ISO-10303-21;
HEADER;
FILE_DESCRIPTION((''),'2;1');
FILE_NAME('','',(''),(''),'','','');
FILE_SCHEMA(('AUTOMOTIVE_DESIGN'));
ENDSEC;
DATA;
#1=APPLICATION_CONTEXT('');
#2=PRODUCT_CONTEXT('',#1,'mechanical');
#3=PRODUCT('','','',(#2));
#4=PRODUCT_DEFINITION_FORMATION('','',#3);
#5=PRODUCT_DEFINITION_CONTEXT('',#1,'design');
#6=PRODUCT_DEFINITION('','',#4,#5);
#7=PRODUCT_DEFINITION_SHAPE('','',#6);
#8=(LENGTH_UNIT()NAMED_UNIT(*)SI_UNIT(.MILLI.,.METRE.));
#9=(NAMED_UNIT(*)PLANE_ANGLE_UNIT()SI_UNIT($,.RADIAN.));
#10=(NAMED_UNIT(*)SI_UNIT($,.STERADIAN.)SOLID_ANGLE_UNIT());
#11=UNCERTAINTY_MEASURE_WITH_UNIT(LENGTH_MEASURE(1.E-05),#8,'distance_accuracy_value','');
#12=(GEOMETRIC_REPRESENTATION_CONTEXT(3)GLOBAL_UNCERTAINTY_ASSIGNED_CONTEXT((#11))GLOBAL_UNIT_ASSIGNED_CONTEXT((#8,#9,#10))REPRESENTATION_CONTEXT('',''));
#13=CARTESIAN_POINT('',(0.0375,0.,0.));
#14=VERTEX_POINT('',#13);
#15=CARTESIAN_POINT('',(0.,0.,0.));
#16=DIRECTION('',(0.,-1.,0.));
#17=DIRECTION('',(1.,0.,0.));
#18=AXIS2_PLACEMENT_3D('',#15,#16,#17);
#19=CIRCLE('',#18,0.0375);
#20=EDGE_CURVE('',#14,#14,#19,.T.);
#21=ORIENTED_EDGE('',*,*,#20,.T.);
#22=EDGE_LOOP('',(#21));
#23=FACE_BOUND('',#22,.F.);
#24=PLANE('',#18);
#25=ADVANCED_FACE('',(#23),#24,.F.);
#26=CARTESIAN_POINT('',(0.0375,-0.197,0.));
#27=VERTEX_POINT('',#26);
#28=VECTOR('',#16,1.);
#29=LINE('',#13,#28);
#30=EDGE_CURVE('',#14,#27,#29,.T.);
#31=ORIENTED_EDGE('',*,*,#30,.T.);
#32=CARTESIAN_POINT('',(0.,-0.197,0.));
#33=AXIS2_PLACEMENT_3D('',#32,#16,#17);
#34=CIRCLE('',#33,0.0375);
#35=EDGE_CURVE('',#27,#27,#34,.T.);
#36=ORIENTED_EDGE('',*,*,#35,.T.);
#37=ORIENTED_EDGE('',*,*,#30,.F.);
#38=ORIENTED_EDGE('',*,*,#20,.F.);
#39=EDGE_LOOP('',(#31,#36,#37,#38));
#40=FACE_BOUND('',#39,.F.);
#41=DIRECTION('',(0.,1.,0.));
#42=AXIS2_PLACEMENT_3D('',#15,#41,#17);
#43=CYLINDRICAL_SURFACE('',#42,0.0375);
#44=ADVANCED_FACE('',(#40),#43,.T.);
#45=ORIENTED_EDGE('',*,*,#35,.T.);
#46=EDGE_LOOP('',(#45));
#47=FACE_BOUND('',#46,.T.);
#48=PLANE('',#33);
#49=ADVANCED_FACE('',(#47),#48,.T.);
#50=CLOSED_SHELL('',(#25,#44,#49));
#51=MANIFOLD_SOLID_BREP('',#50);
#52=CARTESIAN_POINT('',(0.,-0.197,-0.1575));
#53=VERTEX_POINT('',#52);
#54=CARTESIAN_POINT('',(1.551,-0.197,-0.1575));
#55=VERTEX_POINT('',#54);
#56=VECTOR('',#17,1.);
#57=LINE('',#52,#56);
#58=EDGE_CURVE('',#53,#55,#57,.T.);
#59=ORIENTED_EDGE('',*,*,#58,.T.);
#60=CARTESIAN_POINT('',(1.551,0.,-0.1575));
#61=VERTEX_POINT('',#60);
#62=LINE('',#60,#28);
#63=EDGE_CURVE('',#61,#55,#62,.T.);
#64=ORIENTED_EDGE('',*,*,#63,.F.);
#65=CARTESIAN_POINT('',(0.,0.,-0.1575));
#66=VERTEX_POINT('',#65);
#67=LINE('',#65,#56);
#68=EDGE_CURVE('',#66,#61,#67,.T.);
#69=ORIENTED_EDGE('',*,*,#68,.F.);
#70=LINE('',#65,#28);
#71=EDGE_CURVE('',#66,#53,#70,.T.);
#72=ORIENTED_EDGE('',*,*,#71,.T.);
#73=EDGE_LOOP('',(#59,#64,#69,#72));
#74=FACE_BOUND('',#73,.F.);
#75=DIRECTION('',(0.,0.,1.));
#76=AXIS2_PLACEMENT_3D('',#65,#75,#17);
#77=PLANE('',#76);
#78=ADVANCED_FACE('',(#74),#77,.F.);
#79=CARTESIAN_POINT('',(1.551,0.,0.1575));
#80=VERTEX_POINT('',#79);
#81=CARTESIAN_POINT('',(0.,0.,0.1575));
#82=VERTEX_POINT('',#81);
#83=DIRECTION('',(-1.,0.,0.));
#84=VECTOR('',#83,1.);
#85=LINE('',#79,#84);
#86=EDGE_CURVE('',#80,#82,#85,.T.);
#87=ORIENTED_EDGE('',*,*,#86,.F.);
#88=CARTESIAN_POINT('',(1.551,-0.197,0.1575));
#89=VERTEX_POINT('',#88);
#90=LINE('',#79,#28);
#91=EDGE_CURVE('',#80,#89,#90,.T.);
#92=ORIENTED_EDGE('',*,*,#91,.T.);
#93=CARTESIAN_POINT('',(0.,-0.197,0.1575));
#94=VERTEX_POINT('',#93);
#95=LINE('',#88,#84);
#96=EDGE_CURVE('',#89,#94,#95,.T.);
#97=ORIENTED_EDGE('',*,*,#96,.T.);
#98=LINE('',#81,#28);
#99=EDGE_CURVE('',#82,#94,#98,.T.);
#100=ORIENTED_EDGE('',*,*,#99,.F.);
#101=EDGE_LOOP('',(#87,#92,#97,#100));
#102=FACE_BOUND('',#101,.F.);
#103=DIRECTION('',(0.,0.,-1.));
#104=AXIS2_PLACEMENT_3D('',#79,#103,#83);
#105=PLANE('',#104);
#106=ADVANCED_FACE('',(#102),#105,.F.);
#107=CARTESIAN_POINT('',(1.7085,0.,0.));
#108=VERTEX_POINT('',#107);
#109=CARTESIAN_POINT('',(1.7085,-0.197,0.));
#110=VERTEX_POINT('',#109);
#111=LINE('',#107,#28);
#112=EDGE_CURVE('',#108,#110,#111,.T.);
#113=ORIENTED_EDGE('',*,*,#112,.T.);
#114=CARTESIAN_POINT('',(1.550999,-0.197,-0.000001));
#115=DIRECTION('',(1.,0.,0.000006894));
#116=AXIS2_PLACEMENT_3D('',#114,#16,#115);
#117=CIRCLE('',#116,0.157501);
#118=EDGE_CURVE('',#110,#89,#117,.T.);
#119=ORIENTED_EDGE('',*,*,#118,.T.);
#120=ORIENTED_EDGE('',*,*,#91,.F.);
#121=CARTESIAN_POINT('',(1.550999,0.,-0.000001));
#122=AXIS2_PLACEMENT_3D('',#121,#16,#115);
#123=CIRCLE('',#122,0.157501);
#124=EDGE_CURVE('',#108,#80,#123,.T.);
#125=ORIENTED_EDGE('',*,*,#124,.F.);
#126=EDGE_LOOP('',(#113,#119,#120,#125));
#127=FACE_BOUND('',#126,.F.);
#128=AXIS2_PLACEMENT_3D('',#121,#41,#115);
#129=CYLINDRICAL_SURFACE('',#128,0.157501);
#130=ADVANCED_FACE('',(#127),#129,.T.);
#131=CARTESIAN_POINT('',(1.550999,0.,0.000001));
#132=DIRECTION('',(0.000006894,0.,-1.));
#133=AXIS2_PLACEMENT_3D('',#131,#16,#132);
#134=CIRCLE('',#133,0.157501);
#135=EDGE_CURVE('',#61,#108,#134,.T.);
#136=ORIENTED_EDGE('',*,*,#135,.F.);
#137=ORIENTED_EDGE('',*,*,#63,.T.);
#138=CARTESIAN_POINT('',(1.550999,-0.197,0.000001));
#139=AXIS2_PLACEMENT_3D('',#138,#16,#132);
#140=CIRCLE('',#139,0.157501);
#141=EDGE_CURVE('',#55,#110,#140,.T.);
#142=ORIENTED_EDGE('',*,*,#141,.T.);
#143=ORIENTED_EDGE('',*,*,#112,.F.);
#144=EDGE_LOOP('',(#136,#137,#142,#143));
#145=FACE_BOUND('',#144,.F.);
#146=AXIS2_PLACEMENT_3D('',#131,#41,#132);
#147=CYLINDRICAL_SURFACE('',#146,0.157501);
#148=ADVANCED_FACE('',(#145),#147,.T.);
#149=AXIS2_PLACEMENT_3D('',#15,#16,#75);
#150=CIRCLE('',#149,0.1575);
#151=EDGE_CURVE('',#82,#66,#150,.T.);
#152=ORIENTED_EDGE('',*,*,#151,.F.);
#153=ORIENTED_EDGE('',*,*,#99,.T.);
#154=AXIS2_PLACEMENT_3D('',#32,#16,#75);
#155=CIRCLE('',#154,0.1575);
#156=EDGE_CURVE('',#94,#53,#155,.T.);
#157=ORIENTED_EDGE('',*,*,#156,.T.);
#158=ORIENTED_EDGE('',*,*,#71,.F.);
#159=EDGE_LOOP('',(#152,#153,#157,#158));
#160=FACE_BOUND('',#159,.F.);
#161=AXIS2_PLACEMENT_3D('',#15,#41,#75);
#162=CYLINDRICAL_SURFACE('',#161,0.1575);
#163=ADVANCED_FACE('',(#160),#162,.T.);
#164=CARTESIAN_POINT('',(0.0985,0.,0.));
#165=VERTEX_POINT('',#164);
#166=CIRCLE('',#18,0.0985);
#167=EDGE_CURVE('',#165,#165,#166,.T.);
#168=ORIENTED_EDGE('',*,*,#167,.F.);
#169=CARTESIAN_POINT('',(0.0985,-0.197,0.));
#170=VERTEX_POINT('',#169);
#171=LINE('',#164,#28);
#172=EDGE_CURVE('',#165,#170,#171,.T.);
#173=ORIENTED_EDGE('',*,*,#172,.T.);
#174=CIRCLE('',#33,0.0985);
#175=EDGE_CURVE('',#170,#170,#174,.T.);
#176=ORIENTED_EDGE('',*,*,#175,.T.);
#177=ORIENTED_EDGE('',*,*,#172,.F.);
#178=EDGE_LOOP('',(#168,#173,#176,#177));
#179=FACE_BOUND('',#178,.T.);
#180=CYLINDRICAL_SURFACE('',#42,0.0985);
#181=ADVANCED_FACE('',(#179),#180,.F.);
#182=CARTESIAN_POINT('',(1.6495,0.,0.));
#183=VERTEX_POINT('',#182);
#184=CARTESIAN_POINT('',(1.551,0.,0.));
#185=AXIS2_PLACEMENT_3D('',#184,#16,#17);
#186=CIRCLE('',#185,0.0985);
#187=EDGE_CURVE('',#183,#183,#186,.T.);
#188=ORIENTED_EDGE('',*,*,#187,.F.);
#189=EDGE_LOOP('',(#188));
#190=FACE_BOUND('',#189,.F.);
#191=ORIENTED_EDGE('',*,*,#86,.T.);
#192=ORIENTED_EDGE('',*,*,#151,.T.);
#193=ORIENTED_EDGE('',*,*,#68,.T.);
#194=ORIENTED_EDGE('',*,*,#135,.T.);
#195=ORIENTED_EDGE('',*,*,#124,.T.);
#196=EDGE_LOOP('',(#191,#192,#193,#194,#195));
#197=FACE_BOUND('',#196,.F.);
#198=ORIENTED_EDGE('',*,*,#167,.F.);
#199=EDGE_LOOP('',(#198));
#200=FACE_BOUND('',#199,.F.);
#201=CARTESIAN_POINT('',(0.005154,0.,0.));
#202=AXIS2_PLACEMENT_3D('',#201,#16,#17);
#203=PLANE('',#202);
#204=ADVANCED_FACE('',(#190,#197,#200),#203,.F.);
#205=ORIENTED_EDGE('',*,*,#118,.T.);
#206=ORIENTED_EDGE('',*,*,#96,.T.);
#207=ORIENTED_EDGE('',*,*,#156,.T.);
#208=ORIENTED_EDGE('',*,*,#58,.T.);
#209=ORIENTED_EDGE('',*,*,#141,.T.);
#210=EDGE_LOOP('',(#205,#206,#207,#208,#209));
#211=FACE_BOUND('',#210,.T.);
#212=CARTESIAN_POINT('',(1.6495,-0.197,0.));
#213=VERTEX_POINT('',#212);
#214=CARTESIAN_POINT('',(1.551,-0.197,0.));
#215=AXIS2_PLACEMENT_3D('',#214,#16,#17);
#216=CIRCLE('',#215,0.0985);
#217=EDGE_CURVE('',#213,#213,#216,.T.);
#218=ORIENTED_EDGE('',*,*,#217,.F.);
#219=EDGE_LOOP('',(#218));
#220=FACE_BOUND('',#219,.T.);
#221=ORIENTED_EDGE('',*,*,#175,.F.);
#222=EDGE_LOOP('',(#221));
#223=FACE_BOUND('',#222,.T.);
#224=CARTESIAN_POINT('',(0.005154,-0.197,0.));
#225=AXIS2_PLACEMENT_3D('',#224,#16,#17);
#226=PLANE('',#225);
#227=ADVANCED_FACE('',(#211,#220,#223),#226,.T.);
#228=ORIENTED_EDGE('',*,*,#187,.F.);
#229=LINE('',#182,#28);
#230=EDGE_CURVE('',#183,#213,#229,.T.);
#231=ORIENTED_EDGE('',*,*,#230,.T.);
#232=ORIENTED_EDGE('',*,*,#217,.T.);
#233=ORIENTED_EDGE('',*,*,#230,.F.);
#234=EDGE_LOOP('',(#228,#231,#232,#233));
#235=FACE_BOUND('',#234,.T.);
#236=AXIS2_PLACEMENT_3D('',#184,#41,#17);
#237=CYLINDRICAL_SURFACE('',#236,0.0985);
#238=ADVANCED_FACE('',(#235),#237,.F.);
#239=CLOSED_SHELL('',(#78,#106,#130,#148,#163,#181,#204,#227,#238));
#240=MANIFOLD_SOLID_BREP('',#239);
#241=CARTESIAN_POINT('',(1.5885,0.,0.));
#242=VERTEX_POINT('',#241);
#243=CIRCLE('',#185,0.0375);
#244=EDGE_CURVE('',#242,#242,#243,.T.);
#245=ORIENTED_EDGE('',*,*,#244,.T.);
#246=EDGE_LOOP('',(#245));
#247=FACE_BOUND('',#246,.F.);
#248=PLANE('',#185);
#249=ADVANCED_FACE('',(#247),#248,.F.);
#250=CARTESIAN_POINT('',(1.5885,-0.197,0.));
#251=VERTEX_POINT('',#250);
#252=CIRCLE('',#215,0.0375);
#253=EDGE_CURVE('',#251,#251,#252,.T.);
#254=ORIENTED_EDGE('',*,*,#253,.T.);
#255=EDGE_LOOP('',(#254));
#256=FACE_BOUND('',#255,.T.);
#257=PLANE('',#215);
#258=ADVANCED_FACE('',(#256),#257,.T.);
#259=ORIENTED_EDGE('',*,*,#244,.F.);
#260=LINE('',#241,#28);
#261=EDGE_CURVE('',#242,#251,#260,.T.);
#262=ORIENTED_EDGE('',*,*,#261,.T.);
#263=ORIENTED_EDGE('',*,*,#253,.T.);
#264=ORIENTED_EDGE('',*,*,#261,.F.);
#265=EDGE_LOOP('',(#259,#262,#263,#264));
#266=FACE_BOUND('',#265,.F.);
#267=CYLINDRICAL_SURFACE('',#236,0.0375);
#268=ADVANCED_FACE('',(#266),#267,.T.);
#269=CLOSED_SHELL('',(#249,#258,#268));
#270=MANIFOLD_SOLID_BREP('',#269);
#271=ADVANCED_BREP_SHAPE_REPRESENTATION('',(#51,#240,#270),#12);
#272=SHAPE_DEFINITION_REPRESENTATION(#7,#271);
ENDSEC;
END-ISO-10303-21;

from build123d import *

# Parameters (mm, degrees)
F0_R     = 0.0985
F0_R_2   = 0.0375
F1_DEPTH = 0.197


with BuildPart() as f1:
    # F0 (on Front) → F1 (new body)
    with BuildSketch(Plane.XZ):
        with BuildLine():
            ThreePointArc((0, -0.1575), (0.111369, -0.111369), (0.1575, 0))
            ThreePointArc((0.1575, 0), (0.111369, 0.111369), (0, 0.1575))
            ThreePointArc((0, 0.1575), (-0.1575, 0), (0, -0.1575))
        make_face()
        Circle(F0_R, mode=Mode.SUBTRACT)
        with BuildLine():
            ThreePointArc((0, 0.1575), (0.111369, 0.111369), (0.1575, 0))
            ThreePointArc((0.1575, 0), (0.111369, -0.111369), (0, -0.1575))
            Line((0, -0.1575), (1.551, -0.1575))
            ThreePointArc((1.551, -0.1575), (1.3935, 0), (1.551, 0.1575))
            Line((1.551, 0.1575), (0, 0.1575))
        make_face()
        with BuildLine():
            ThreePointArc((1.7085, 0), (1.662369, 0.111369), (1.551, 0.1575))
            ThreePointArc((1.551, 0.1575), (1.3935, 0), (1.551, -0.1575))
            ThreePointArc((1.551, -0.1575), (1.662369, -0.111369), (1.7085, 0))
        make_face()
        with Locations((1.551, 0)):
            Circle(F0_R, mode=Mode.SUBTRACT)
        Circle(F0_R_2)
        with Locations((1.551, 0)):
            Circle(F0_R_2)
    extrude(amount=F1_DEPTH)


solid = f1.part
